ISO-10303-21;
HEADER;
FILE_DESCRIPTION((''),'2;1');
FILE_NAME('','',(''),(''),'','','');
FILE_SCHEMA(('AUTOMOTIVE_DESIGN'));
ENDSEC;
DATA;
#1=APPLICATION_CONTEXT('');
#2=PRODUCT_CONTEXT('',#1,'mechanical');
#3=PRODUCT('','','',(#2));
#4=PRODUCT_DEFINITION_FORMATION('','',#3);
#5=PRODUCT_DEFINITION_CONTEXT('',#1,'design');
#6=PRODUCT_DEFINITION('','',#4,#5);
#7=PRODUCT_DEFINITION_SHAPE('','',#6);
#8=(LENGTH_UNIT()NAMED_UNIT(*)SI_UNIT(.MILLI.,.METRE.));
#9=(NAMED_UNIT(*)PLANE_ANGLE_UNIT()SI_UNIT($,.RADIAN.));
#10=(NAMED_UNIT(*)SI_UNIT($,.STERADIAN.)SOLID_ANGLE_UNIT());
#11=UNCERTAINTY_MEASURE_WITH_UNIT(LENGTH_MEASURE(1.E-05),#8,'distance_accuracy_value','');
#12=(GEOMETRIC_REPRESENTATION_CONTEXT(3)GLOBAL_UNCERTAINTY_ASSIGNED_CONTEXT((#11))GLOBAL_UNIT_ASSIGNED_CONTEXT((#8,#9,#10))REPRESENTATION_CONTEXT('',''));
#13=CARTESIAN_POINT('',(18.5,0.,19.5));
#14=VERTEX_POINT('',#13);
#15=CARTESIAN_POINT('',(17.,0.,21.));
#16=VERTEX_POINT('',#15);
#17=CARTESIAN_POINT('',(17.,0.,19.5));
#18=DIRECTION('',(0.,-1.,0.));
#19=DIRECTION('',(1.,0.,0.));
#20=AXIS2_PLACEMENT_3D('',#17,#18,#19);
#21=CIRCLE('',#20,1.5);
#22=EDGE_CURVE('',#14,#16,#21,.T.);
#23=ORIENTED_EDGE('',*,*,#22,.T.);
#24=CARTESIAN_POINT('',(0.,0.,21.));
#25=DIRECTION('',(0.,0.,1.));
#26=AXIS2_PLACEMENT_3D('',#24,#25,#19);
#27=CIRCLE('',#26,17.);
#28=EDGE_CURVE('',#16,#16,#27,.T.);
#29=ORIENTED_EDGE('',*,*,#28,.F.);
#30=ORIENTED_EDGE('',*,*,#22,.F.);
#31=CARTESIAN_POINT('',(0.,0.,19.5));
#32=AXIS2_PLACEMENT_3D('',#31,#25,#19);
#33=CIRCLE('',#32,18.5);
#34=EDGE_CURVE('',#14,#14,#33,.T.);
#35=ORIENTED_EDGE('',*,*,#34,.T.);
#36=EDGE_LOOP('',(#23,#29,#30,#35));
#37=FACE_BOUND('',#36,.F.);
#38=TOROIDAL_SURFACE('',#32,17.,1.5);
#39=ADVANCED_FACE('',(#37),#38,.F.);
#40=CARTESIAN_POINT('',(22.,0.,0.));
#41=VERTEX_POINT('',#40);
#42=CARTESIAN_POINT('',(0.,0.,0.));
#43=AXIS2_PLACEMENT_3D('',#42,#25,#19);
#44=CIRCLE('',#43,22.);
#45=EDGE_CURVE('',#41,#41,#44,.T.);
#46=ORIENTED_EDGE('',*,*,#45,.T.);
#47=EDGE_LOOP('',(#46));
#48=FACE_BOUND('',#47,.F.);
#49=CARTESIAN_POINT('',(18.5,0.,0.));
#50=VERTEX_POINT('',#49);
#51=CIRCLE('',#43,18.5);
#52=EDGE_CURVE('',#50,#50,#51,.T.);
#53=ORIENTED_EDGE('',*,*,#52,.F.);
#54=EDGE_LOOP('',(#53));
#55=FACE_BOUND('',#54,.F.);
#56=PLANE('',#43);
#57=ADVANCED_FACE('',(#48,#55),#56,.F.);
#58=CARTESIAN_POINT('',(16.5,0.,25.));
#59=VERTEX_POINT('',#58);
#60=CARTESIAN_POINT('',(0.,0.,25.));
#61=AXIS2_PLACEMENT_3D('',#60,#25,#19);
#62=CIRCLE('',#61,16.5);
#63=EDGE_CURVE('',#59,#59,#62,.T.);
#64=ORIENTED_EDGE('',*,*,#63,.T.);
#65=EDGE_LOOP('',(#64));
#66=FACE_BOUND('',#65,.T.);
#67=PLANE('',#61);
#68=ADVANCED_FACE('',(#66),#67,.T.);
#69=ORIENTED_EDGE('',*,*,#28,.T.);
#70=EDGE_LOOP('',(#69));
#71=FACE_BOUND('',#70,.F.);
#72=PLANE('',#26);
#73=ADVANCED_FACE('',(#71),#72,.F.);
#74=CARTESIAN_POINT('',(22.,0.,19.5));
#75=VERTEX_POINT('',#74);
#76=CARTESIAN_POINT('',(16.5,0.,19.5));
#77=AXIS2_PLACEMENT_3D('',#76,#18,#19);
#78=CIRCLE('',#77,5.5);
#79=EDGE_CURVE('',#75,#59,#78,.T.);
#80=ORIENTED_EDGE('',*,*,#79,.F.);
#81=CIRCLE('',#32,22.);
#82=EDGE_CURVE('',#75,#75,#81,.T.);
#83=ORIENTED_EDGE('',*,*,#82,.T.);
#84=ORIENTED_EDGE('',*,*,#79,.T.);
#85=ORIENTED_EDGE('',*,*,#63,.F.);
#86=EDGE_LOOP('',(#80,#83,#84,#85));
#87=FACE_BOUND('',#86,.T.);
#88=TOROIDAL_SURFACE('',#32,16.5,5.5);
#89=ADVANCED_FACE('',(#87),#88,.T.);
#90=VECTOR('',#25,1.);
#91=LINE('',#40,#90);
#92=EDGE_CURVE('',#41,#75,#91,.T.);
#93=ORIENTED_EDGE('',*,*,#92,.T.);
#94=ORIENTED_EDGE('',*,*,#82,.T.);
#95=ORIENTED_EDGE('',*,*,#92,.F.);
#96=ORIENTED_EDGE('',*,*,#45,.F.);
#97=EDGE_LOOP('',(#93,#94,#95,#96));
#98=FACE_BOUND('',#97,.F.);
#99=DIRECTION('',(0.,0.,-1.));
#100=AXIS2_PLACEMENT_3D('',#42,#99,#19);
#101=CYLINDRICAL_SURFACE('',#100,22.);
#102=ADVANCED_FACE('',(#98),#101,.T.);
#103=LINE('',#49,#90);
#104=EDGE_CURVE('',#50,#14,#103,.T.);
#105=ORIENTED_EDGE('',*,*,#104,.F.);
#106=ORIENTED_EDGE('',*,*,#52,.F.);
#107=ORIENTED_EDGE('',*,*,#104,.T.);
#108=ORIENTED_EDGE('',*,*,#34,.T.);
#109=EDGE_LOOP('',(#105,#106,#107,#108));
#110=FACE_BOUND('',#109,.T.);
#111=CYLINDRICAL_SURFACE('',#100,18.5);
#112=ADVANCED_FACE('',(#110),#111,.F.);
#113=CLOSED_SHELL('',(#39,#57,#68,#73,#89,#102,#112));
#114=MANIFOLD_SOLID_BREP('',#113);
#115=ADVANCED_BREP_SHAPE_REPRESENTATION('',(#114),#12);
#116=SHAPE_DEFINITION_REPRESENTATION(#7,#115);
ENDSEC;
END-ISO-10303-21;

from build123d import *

# Parameters (mm, degrees)
F0_R     = 22
F1_DEPTH = 25
F2_R     = 5.5
F3_R     = 18.5
F4_DEPTH = 21
F5_R     = 1.5


with BuildPart() as f1:
    # F0 (on Top) → F1 (new body)
    with BuildSketch(Plane.XY):
        Circle(F0_R)
    extrude(amount=F1_DEPTH)

    # F2
    f2_edges = [f1.edges().sort_by_distance(p)[0] for p in [
        (-22, 0, 25),
    ]]
    fillet(f2_edges, radius=F2_R)

    # F3 (on Top) → F4 (cut)
    with BuildSketch(Plane.XY):
        Circle(F3_R)
    extrude(amount=F4_DEPTH, mode=Mode.SUBTRACT)

    # F5
    f5_edges = [f1.edges().sort_by_distance(p)[0] for p in [
        (-18.5, 0, 21),
    ]]
    fillet(f5_edges, radius=F5_R)


solid = f1.part
